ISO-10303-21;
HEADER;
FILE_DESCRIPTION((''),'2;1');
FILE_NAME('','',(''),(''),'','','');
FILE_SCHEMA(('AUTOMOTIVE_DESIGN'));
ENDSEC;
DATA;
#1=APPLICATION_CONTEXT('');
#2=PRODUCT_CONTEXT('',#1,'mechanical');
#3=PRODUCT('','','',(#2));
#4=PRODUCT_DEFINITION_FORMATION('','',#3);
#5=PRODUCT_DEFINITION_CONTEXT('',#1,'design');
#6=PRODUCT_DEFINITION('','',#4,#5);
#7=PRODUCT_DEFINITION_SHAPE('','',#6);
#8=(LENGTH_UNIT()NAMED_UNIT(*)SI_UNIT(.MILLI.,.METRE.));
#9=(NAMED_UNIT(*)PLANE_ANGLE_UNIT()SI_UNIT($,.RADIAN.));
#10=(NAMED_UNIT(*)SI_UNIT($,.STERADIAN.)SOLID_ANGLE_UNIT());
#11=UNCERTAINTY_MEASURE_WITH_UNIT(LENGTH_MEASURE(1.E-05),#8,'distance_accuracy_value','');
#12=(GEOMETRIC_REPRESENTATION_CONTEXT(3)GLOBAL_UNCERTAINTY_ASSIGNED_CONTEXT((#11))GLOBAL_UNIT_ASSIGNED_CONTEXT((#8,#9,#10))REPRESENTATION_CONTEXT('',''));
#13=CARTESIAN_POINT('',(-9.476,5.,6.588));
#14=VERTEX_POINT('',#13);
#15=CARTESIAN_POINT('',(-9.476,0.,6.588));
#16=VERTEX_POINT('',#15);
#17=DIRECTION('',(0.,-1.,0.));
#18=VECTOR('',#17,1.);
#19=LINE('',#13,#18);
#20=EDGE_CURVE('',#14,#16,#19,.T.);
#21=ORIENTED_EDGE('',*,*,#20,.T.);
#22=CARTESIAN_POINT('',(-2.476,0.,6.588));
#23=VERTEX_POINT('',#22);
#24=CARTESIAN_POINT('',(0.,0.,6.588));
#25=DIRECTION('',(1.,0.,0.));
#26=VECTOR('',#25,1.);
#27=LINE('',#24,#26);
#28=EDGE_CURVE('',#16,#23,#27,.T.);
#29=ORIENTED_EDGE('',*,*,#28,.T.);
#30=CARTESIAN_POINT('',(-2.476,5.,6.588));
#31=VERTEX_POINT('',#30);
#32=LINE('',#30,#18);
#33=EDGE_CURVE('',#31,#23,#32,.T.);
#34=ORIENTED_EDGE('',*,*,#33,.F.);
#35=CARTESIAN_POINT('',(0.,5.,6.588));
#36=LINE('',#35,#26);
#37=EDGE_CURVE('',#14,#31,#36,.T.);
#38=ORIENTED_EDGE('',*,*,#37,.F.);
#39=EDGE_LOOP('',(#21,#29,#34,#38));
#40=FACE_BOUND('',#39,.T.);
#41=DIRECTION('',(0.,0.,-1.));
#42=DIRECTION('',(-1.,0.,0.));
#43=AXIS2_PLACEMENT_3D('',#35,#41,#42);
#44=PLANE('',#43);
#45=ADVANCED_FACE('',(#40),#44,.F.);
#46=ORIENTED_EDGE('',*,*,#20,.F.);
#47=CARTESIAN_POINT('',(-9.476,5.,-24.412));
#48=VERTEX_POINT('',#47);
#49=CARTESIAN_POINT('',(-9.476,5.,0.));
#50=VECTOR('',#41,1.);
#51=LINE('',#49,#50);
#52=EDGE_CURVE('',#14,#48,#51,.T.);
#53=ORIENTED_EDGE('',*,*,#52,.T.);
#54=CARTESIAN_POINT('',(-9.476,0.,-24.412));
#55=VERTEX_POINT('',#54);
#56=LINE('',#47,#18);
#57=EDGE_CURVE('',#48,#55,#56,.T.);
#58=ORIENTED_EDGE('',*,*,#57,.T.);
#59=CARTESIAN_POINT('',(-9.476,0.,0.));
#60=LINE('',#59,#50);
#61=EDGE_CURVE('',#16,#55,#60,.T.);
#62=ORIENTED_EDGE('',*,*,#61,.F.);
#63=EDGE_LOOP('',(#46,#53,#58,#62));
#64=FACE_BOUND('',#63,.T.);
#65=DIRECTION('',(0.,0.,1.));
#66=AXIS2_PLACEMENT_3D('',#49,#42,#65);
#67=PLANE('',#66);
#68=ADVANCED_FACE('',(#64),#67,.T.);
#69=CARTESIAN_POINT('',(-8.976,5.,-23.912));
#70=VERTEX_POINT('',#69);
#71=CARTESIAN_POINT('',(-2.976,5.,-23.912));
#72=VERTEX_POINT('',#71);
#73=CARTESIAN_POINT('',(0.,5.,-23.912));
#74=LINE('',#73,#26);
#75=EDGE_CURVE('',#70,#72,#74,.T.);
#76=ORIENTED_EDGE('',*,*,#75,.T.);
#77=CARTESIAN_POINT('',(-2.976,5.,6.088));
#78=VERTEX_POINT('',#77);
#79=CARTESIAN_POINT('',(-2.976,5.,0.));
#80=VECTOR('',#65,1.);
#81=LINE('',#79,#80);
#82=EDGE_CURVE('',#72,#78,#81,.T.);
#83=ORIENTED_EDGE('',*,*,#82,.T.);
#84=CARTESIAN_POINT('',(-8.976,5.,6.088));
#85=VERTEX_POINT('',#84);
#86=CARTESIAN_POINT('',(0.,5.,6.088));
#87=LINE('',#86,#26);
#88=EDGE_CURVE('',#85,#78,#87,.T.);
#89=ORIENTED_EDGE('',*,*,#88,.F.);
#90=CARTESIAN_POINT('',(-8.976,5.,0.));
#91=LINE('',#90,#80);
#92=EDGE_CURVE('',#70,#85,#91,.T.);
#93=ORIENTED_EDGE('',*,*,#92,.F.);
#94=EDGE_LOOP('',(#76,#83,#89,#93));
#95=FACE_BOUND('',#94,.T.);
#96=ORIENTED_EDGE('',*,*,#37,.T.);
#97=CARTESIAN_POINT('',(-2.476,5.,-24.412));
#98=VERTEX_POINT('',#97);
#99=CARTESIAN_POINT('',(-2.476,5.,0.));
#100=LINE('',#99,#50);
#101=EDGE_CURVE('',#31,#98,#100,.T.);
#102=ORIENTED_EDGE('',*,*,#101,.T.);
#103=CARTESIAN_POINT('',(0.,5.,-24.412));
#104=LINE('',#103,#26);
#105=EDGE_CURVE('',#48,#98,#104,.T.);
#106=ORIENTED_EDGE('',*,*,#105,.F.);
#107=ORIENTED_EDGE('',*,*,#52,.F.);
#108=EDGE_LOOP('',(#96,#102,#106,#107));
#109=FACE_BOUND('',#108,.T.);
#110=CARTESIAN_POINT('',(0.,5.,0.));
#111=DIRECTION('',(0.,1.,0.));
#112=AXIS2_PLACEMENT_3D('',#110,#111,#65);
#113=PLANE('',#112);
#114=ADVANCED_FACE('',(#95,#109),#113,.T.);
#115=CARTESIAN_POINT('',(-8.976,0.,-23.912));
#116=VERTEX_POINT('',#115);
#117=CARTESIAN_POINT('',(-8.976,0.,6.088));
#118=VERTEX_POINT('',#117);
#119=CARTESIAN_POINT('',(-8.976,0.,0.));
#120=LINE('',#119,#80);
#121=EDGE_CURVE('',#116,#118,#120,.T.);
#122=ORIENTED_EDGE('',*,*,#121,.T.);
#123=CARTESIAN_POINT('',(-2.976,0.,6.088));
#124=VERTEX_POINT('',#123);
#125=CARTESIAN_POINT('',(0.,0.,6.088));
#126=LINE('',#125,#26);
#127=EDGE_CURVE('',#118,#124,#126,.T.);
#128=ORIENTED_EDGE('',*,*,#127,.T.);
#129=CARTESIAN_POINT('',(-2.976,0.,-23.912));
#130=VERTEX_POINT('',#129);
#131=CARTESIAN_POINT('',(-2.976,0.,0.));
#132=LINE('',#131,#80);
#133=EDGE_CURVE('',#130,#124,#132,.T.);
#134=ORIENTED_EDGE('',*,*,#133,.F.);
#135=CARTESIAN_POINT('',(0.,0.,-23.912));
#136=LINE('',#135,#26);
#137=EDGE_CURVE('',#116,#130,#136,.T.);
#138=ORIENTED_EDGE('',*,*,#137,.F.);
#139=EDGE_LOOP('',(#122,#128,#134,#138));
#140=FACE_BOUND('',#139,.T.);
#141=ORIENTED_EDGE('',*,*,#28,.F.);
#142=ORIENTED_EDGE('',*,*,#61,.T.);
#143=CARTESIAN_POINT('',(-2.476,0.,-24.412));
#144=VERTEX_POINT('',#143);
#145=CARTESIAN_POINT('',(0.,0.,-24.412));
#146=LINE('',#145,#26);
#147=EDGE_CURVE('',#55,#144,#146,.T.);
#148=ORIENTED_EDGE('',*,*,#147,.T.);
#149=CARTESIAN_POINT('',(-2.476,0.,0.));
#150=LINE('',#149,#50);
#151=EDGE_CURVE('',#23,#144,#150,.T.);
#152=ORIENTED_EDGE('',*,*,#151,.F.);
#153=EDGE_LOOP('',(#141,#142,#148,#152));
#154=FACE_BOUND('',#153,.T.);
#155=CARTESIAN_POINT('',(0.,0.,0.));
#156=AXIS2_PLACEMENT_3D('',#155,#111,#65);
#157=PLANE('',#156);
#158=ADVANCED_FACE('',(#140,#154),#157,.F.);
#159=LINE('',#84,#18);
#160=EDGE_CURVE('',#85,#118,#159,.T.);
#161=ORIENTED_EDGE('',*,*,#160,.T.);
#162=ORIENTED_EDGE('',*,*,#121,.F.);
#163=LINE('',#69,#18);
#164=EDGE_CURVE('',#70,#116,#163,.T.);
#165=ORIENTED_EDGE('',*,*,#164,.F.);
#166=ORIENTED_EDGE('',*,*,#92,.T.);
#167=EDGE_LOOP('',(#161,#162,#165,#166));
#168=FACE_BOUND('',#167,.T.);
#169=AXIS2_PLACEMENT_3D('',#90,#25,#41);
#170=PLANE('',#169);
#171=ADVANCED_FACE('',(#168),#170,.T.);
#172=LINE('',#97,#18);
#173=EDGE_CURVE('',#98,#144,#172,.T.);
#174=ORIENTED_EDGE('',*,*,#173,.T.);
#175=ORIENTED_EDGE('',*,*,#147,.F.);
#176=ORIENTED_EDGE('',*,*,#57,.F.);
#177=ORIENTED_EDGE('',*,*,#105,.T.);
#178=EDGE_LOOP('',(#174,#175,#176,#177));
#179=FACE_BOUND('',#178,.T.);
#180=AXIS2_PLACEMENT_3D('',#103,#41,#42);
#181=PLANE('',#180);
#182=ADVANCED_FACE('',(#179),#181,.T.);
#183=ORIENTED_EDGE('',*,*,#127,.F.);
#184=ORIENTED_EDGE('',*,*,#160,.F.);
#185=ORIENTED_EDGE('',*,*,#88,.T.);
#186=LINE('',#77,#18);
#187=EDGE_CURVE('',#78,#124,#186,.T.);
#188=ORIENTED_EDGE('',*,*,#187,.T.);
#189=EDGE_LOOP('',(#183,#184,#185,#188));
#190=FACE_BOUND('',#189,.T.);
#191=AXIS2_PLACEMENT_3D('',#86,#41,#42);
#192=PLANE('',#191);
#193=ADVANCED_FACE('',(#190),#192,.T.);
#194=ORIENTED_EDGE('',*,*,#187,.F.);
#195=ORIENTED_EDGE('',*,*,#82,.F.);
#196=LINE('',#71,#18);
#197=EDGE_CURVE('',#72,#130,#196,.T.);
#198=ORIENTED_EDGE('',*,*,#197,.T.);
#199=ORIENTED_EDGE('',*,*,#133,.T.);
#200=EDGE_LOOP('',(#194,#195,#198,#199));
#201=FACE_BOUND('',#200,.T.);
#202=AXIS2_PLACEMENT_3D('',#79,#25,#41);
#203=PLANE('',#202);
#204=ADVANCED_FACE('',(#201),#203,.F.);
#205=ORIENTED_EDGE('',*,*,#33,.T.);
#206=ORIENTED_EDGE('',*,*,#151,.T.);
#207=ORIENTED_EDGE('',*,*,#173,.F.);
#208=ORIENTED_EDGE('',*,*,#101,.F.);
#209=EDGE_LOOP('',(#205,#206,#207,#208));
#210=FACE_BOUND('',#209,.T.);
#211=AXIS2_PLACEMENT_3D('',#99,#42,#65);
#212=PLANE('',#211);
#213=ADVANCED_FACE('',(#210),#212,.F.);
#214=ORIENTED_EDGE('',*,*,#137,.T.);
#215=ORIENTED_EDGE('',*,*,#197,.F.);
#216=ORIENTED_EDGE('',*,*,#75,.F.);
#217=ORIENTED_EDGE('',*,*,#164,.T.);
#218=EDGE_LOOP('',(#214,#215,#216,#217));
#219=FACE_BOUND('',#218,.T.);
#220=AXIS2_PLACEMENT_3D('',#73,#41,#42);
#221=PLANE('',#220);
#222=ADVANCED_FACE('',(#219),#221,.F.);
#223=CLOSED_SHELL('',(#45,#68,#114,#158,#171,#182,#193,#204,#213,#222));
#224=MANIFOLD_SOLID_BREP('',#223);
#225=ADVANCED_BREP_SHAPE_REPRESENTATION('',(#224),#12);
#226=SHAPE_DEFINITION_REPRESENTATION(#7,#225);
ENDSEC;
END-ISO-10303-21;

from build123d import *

# Parameters (mm, degrees)
CROQUIS1_W              = 7
CROQUIS1_H              = 31
CROQUIS1_W_2            = 6
CROQUIS1_H_2            = 30
SALIENTE_EXTRUIR2_DEPTH = 5


with BuildPart() as part:
    # Croquis1 → Saliente-Extruir2 (new body)
    with BuildSketch(Plane(origin=(0, 0, 0), x_dir=(1, 0, 0), z_dir=(0, 1, 0))):
        with Locations((-5.976, 8.912)):
            Rectangle(CROQUIS1_W, CROQUIS1_H)
        with Locations((-5.976, 8.912)):
            Rectangle(CROQUIS1_W_2, CROQUIS1_H_2, mode=Mode.SUBTRACT)
    extrude(amount=SALIENTE_EXTRUIR2_DEPTH)


solid = part.part
